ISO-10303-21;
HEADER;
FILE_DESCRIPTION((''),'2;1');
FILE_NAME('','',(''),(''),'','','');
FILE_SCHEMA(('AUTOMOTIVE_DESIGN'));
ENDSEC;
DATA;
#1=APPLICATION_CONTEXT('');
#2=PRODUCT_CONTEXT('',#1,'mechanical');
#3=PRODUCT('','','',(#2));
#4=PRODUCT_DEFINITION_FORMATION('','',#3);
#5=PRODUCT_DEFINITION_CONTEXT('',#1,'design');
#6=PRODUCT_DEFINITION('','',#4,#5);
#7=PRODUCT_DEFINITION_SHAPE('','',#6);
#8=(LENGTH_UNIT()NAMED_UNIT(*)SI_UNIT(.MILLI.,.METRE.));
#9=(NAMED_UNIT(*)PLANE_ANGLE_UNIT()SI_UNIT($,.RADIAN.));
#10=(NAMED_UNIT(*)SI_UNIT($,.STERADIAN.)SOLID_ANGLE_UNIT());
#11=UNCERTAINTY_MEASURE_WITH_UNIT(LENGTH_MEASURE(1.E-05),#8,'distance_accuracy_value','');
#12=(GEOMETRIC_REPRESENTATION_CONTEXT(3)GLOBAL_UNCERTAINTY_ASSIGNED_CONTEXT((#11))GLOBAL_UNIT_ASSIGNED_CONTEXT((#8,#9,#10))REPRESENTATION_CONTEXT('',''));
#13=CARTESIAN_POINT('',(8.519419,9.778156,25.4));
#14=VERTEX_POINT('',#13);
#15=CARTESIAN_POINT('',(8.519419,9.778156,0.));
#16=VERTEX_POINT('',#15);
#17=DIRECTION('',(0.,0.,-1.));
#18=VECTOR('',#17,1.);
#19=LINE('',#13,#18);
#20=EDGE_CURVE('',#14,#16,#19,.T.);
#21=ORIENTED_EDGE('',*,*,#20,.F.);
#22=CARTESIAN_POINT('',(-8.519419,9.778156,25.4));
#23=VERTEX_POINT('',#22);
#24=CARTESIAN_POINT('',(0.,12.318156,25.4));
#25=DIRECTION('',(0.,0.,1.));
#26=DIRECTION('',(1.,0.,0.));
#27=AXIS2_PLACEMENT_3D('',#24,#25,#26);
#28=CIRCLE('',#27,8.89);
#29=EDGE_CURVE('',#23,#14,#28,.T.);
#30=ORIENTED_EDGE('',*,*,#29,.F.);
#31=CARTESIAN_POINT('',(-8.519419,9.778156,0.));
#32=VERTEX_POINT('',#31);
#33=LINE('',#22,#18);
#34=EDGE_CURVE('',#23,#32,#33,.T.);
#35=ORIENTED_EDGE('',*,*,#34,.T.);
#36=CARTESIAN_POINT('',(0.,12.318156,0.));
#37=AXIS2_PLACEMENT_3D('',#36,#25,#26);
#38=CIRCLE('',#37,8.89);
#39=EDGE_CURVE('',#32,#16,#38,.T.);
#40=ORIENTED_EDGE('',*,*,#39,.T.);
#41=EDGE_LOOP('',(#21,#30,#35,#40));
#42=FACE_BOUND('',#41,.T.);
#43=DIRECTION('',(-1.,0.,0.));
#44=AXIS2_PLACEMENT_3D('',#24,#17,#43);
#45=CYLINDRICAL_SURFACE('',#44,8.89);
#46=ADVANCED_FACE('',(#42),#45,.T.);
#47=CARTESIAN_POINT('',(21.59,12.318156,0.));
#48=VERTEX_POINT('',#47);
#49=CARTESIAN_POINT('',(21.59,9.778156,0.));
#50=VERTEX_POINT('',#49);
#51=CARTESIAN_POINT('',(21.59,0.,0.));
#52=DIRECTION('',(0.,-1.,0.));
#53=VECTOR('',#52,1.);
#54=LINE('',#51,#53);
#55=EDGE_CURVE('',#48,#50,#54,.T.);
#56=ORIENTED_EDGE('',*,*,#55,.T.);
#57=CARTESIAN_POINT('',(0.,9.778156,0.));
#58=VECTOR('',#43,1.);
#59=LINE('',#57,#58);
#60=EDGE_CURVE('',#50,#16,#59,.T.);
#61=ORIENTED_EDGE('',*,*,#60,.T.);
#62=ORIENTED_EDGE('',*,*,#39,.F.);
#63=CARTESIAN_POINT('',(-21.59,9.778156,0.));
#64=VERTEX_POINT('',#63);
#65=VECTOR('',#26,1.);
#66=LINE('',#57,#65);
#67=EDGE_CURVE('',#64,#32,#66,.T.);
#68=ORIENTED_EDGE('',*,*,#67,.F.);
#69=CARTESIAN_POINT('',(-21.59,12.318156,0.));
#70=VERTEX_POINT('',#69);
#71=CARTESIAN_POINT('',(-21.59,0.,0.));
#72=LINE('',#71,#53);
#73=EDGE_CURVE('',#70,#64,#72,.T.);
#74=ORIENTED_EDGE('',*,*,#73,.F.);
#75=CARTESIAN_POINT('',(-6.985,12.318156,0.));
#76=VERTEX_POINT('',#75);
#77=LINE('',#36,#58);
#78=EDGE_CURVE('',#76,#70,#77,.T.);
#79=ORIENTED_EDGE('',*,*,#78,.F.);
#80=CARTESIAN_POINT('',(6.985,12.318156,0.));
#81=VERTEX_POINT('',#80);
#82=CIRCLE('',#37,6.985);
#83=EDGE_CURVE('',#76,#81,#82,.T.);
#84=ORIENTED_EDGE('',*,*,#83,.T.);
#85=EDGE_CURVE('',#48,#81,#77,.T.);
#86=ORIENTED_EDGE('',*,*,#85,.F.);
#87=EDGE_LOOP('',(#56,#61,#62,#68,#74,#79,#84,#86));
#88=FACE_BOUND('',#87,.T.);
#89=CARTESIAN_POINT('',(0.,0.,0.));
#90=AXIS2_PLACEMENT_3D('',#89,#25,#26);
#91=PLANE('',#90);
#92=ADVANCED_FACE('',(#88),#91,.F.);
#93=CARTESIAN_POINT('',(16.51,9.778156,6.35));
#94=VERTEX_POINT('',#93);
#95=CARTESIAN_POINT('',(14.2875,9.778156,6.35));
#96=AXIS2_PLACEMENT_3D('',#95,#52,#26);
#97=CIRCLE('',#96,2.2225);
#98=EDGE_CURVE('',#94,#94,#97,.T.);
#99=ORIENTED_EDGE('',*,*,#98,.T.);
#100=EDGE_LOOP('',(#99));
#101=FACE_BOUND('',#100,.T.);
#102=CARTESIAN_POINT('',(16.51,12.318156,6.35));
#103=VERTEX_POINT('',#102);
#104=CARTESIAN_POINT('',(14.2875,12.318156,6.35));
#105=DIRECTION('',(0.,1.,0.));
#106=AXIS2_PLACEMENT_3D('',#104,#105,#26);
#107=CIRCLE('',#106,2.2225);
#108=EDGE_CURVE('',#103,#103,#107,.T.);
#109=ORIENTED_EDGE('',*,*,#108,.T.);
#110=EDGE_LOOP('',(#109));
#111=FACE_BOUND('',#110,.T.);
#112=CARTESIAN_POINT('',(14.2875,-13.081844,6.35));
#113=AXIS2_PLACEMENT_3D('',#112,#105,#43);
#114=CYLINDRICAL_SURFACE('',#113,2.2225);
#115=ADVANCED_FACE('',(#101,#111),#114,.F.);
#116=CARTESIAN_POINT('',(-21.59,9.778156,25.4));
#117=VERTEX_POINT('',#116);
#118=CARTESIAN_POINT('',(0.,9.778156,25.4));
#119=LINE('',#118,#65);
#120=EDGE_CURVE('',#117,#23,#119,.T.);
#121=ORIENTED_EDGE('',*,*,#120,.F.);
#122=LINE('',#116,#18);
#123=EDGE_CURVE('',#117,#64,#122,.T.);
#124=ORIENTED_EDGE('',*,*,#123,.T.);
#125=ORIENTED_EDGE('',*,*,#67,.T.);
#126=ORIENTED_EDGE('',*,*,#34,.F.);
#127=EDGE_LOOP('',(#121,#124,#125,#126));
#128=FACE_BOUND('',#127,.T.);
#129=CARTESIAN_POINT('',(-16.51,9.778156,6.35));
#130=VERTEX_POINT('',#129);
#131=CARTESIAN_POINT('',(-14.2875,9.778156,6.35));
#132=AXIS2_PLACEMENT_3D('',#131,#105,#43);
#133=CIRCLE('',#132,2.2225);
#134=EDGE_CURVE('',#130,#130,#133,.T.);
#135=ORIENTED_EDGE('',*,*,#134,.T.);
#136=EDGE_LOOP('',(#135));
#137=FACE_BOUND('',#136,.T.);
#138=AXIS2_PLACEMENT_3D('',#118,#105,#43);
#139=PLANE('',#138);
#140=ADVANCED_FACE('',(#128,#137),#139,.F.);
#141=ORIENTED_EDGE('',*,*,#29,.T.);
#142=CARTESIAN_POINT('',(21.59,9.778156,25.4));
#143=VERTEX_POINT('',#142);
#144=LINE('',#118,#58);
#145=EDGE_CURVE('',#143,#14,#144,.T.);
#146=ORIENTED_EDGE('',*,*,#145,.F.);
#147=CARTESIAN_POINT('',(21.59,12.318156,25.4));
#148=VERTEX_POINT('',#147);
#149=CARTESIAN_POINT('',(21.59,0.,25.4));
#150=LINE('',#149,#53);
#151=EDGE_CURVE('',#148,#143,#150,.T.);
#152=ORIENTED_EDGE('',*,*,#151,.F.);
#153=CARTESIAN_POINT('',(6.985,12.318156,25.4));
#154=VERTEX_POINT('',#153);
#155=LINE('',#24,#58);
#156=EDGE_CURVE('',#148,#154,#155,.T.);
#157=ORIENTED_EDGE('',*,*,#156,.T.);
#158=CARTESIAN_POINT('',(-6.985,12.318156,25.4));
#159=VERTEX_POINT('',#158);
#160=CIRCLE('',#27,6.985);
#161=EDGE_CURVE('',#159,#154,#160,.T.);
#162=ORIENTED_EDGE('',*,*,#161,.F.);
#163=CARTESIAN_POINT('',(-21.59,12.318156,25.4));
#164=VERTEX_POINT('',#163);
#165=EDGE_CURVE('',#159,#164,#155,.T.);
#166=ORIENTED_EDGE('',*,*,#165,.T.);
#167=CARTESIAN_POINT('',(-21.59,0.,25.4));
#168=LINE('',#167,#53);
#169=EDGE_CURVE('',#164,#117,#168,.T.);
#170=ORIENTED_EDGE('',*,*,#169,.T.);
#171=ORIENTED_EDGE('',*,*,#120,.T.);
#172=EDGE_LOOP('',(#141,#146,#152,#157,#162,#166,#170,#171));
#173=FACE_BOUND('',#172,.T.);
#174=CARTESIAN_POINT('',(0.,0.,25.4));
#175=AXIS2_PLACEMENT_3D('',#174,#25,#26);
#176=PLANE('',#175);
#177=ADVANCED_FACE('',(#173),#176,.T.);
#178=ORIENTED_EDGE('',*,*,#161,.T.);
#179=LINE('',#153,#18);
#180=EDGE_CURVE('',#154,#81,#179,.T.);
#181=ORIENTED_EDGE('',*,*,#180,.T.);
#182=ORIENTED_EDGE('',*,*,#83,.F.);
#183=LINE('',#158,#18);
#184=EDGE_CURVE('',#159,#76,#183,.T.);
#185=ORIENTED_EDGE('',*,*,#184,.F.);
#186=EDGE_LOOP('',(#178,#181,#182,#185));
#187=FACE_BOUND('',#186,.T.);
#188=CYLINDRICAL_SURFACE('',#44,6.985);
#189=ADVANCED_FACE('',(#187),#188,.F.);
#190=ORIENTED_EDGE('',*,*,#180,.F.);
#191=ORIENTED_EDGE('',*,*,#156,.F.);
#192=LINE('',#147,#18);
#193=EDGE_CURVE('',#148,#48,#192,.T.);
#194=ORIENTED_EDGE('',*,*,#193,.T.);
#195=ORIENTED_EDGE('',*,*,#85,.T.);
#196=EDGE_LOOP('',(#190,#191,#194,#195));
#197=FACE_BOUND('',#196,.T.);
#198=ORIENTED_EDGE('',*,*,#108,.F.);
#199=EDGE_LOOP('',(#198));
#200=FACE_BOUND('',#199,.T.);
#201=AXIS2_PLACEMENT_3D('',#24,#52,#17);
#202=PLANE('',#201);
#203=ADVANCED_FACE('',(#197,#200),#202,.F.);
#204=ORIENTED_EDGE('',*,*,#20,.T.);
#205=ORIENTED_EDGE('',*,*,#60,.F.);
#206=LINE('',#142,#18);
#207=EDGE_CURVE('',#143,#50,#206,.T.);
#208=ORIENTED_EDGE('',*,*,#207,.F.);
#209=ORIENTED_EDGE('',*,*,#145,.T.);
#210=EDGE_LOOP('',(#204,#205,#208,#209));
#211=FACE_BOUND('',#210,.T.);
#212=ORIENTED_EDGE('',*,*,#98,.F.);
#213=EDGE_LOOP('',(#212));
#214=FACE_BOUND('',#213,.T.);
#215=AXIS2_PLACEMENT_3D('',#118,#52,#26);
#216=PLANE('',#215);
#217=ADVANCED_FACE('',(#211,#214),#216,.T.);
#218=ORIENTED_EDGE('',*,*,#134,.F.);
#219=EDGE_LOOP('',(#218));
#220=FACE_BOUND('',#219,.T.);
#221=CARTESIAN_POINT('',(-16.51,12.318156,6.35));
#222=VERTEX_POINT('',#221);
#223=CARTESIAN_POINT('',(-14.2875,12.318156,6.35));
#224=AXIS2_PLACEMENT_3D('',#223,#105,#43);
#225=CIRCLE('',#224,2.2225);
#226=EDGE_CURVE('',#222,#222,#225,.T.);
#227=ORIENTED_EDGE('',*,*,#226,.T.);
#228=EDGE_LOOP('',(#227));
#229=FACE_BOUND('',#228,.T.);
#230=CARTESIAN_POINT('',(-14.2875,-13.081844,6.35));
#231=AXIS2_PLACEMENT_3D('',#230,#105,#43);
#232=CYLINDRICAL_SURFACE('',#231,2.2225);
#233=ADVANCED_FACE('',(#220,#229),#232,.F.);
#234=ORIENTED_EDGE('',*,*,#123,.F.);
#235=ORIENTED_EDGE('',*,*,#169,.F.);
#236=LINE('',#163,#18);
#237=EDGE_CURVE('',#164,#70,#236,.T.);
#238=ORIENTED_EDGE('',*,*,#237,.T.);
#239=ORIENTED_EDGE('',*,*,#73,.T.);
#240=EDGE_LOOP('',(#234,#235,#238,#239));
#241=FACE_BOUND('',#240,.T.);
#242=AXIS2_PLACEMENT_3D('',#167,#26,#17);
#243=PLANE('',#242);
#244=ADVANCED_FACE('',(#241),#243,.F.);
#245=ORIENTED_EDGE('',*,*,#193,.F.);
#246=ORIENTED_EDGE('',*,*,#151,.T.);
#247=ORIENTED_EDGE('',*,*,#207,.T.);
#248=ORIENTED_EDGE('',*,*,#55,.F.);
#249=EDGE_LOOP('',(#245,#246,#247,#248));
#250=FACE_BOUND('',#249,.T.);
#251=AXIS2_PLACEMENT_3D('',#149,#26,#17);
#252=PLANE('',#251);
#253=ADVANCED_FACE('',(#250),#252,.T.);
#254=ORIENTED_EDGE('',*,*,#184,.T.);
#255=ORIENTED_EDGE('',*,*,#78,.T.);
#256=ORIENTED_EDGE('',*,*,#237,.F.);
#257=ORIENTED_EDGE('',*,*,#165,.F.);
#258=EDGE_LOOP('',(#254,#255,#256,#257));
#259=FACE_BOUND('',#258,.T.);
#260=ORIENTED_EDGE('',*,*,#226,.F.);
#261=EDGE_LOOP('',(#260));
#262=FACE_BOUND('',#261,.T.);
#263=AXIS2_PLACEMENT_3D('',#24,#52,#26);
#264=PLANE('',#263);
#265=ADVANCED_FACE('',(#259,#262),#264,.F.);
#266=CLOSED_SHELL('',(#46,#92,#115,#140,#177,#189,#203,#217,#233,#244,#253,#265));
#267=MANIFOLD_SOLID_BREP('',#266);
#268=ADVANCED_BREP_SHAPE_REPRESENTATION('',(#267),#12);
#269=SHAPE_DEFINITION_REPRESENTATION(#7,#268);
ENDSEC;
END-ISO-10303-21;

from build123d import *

# Parameters (mm, degrees)
BOSS_EXTRUDE2_DEPTH = 25.4
SKETCH2_R           = 2.2225
CUT_EXTRUDE1_DEPTH  = 25.4


with BuildPart() as part:
    # Sketch1 → Boss-Extrude2 (new body)
    with BuildSketch(Plane.XY):
        with BuildLine():
            Line((8.519418994, 9.778156255), (21.59, 9.778156255))
            Line((21.59, 9.778156255), (21.59, 12.318156255))
            Line((21.59, 12.318156255), (6.985, 12.318156255))
            ThreePointArc((6.985, 12.318156255), (0, 5.333156255), (-6.985, 12.318156255))
            Line((-6.985, 12.318156255), (-21.59, 12.318156255))
            Line((-21.59, 12.318156255), (-21.59, 9.778156255))
            Line((-21.59, 9.778156255), (-8.519418994, 9.778156255))
            ThreePointArc((-8.519418994, 9.778156255), (0, 3.428156255), (8.519418994, 9.778156255))
        make_face()
    extrude(amount=BOSS_EXTRUDE2_DEPTH)

    # Sketch2 → Cut-Extrude1 (cut)
    with BuildSketch(Plane(origin=(0, 12.318156255, 0), x_dir=(1, 0, 0), z_dir=(0, 1, 0))):
        with Locations((-14.2875, -6.35)):
            Circle(SKETCH2_R)
        with Locations((14.2875, -6.35)):
            Circle(SKETCH2_R)
    extrude(amount=-CUT_EXTRUDE1_DEPTH, mode=Mode.SUBTRACT)


solid = part.part
